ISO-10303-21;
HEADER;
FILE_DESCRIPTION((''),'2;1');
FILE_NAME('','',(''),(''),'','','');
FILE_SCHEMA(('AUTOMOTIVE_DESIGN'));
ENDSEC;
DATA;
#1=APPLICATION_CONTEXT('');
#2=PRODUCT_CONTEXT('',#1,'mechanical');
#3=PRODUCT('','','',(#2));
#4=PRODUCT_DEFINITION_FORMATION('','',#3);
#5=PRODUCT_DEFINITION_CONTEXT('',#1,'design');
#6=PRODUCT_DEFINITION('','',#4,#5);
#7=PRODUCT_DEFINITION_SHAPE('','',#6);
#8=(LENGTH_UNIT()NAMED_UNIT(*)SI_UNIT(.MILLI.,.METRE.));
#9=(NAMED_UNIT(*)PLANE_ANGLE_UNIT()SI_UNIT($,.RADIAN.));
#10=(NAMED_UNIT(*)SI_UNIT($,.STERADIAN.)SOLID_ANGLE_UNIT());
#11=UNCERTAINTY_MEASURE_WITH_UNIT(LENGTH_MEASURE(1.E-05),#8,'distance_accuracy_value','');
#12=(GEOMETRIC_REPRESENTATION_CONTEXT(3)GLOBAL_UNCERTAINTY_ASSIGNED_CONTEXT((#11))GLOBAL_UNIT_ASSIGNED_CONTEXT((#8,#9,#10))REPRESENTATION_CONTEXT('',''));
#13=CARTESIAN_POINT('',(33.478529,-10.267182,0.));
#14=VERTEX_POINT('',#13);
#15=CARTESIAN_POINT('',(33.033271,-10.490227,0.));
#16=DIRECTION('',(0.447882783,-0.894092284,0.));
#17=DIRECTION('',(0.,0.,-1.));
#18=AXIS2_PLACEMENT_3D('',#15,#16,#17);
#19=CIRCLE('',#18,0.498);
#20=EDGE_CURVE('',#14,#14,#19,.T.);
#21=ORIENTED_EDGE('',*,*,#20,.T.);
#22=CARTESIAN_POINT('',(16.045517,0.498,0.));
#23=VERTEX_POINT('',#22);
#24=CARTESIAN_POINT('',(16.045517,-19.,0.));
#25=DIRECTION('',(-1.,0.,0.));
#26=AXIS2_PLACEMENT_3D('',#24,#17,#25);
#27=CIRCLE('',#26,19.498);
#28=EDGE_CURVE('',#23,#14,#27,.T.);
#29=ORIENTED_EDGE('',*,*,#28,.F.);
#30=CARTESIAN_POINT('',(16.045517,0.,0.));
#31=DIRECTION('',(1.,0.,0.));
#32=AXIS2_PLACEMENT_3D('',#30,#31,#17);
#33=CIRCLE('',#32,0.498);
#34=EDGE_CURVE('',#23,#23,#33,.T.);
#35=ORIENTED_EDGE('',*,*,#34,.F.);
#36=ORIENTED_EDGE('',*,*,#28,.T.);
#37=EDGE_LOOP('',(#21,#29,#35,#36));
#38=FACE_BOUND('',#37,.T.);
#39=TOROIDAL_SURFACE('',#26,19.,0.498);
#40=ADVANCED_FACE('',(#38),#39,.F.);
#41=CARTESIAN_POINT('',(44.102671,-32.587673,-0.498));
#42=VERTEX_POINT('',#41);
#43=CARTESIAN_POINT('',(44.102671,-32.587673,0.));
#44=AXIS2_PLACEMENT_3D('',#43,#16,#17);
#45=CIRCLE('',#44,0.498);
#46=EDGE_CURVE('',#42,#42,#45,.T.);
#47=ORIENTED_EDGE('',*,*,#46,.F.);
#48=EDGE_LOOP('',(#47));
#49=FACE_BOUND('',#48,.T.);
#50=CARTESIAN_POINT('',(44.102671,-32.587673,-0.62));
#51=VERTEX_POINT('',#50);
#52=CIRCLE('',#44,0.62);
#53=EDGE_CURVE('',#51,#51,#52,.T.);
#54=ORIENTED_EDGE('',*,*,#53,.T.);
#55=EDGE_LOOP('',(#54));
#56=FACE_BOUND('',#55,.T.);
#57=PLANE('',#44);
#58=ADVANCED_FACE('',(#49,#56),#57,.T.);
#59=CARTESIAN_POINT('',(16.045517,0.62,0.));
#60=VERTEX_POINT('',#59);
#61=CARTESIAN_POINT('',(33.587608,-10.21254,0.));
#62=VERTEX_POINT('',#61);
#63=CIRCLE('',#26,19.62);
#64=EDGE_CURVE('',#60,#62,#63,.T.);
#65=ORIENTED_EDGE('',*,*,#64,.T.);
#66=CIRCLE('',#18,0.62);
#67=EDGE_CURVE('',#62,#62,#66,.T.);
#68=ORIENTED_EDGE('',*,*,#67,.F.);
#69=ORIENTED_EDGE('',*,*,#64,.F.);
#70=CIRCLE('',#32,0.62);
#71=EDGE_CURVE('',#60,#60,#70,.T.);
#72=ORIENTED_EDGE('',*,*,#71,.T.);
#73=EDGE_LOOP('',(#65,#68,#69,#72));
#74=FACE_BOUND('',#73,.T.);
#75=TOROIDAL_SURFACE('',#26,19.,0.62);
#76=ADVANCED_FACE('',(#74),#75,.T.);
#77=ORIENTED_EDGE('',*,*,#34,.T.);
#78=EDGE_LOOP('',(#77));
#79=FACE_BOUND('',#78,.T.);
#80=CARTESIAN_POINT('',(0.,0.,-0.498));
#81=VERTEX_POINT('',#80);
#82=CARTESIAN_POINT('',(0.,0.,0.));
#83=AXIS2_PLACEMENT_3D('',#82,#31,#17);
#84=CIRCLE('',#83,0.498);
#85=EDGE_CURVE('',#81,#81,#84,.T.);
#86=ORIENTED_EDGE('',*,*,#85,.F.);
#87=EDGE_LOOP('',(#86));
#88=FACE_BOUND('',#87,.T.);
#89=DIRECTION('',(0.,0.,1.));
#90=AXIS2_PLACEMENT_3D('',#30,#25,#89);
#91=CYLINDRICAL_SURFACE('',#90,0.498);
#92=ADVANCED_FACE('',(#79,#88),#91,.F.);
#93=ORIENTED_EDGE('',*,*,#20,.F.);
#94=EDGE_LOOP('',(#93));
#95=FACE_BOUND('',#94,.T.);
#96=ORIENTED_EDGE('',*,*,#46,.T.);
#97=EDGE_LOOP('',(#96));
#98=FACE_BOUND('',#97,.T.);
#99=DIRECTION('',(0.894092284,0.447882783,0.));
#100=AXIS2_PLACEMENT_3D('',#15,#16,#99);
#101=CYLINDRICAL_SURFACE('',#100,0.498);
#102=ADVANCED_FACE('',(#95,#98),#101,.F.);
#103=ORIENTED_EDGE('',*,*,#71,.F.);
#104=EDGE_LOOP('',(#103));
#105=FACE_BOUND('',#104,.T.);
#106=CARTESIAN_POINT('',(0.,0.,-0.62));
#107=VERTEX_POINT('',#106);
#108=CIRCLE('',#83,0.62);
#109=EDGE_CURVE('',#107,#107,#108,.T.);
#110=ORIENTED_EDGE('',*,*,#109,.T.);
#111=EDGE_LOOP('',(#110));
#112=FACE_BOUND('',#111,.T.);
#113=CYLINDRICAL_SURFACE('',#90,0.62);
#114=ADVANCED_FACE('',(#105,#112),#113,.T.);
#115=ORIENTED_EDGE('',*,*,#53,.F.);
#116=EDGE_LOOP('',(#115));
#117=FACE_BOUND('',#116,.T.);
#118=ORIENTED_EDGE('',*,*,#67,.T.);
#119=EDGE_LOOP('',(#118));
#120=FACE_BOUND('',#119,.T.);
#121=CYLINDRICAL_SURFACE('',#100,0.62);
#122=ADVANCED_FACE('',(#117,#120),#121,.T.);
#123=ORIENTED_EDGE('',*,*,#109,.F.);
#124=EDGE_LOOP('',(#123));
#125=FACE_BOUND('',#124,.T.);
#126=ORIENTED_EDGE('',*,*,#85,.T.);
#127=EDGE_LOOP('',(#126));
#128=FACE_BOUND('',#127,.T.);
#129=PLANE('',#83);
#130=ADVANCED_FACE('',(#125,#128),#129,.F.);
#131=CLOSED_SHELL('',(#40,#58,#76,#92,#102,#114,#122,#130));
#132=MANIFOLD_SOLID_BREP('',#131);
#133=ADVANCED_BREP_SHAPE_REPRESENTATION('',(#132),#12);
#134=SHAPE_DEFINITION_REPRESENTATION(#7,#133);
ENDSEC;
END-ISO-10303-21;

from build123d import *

# Parameters (mm, degrees)
SKETCH1_R   = 0.62
SKETCH1_R_2 = 0.498


with BuildPart() as part:
    # Sweep1: sweep along a path in Sketch2
    with BuildLine(Plane.XY) as sweep1_path:
        Line((0, 0), (16.045517383, 0))
        ThreePointArc((16.045517383, 0), (26.028360553, -2.83389836), (33.033270787, -10.490227132))
        Line((33.033270787, -10.490227132), (44.102671455, -32.587673422))
    # Sketch1 → Sweep1 (sweep)
    with BuildSketch(Plane(origin=(0, 0, 0), x_dir=(0, 0, -1), z_dir=(1, 0, 0))):
        Circle(SKETCH1_R)
        Circle(SKETCH1_R_2, mode=Mode.SUBTRACT)
    sweep(path=sweep1_path.line)


solid = part.part
